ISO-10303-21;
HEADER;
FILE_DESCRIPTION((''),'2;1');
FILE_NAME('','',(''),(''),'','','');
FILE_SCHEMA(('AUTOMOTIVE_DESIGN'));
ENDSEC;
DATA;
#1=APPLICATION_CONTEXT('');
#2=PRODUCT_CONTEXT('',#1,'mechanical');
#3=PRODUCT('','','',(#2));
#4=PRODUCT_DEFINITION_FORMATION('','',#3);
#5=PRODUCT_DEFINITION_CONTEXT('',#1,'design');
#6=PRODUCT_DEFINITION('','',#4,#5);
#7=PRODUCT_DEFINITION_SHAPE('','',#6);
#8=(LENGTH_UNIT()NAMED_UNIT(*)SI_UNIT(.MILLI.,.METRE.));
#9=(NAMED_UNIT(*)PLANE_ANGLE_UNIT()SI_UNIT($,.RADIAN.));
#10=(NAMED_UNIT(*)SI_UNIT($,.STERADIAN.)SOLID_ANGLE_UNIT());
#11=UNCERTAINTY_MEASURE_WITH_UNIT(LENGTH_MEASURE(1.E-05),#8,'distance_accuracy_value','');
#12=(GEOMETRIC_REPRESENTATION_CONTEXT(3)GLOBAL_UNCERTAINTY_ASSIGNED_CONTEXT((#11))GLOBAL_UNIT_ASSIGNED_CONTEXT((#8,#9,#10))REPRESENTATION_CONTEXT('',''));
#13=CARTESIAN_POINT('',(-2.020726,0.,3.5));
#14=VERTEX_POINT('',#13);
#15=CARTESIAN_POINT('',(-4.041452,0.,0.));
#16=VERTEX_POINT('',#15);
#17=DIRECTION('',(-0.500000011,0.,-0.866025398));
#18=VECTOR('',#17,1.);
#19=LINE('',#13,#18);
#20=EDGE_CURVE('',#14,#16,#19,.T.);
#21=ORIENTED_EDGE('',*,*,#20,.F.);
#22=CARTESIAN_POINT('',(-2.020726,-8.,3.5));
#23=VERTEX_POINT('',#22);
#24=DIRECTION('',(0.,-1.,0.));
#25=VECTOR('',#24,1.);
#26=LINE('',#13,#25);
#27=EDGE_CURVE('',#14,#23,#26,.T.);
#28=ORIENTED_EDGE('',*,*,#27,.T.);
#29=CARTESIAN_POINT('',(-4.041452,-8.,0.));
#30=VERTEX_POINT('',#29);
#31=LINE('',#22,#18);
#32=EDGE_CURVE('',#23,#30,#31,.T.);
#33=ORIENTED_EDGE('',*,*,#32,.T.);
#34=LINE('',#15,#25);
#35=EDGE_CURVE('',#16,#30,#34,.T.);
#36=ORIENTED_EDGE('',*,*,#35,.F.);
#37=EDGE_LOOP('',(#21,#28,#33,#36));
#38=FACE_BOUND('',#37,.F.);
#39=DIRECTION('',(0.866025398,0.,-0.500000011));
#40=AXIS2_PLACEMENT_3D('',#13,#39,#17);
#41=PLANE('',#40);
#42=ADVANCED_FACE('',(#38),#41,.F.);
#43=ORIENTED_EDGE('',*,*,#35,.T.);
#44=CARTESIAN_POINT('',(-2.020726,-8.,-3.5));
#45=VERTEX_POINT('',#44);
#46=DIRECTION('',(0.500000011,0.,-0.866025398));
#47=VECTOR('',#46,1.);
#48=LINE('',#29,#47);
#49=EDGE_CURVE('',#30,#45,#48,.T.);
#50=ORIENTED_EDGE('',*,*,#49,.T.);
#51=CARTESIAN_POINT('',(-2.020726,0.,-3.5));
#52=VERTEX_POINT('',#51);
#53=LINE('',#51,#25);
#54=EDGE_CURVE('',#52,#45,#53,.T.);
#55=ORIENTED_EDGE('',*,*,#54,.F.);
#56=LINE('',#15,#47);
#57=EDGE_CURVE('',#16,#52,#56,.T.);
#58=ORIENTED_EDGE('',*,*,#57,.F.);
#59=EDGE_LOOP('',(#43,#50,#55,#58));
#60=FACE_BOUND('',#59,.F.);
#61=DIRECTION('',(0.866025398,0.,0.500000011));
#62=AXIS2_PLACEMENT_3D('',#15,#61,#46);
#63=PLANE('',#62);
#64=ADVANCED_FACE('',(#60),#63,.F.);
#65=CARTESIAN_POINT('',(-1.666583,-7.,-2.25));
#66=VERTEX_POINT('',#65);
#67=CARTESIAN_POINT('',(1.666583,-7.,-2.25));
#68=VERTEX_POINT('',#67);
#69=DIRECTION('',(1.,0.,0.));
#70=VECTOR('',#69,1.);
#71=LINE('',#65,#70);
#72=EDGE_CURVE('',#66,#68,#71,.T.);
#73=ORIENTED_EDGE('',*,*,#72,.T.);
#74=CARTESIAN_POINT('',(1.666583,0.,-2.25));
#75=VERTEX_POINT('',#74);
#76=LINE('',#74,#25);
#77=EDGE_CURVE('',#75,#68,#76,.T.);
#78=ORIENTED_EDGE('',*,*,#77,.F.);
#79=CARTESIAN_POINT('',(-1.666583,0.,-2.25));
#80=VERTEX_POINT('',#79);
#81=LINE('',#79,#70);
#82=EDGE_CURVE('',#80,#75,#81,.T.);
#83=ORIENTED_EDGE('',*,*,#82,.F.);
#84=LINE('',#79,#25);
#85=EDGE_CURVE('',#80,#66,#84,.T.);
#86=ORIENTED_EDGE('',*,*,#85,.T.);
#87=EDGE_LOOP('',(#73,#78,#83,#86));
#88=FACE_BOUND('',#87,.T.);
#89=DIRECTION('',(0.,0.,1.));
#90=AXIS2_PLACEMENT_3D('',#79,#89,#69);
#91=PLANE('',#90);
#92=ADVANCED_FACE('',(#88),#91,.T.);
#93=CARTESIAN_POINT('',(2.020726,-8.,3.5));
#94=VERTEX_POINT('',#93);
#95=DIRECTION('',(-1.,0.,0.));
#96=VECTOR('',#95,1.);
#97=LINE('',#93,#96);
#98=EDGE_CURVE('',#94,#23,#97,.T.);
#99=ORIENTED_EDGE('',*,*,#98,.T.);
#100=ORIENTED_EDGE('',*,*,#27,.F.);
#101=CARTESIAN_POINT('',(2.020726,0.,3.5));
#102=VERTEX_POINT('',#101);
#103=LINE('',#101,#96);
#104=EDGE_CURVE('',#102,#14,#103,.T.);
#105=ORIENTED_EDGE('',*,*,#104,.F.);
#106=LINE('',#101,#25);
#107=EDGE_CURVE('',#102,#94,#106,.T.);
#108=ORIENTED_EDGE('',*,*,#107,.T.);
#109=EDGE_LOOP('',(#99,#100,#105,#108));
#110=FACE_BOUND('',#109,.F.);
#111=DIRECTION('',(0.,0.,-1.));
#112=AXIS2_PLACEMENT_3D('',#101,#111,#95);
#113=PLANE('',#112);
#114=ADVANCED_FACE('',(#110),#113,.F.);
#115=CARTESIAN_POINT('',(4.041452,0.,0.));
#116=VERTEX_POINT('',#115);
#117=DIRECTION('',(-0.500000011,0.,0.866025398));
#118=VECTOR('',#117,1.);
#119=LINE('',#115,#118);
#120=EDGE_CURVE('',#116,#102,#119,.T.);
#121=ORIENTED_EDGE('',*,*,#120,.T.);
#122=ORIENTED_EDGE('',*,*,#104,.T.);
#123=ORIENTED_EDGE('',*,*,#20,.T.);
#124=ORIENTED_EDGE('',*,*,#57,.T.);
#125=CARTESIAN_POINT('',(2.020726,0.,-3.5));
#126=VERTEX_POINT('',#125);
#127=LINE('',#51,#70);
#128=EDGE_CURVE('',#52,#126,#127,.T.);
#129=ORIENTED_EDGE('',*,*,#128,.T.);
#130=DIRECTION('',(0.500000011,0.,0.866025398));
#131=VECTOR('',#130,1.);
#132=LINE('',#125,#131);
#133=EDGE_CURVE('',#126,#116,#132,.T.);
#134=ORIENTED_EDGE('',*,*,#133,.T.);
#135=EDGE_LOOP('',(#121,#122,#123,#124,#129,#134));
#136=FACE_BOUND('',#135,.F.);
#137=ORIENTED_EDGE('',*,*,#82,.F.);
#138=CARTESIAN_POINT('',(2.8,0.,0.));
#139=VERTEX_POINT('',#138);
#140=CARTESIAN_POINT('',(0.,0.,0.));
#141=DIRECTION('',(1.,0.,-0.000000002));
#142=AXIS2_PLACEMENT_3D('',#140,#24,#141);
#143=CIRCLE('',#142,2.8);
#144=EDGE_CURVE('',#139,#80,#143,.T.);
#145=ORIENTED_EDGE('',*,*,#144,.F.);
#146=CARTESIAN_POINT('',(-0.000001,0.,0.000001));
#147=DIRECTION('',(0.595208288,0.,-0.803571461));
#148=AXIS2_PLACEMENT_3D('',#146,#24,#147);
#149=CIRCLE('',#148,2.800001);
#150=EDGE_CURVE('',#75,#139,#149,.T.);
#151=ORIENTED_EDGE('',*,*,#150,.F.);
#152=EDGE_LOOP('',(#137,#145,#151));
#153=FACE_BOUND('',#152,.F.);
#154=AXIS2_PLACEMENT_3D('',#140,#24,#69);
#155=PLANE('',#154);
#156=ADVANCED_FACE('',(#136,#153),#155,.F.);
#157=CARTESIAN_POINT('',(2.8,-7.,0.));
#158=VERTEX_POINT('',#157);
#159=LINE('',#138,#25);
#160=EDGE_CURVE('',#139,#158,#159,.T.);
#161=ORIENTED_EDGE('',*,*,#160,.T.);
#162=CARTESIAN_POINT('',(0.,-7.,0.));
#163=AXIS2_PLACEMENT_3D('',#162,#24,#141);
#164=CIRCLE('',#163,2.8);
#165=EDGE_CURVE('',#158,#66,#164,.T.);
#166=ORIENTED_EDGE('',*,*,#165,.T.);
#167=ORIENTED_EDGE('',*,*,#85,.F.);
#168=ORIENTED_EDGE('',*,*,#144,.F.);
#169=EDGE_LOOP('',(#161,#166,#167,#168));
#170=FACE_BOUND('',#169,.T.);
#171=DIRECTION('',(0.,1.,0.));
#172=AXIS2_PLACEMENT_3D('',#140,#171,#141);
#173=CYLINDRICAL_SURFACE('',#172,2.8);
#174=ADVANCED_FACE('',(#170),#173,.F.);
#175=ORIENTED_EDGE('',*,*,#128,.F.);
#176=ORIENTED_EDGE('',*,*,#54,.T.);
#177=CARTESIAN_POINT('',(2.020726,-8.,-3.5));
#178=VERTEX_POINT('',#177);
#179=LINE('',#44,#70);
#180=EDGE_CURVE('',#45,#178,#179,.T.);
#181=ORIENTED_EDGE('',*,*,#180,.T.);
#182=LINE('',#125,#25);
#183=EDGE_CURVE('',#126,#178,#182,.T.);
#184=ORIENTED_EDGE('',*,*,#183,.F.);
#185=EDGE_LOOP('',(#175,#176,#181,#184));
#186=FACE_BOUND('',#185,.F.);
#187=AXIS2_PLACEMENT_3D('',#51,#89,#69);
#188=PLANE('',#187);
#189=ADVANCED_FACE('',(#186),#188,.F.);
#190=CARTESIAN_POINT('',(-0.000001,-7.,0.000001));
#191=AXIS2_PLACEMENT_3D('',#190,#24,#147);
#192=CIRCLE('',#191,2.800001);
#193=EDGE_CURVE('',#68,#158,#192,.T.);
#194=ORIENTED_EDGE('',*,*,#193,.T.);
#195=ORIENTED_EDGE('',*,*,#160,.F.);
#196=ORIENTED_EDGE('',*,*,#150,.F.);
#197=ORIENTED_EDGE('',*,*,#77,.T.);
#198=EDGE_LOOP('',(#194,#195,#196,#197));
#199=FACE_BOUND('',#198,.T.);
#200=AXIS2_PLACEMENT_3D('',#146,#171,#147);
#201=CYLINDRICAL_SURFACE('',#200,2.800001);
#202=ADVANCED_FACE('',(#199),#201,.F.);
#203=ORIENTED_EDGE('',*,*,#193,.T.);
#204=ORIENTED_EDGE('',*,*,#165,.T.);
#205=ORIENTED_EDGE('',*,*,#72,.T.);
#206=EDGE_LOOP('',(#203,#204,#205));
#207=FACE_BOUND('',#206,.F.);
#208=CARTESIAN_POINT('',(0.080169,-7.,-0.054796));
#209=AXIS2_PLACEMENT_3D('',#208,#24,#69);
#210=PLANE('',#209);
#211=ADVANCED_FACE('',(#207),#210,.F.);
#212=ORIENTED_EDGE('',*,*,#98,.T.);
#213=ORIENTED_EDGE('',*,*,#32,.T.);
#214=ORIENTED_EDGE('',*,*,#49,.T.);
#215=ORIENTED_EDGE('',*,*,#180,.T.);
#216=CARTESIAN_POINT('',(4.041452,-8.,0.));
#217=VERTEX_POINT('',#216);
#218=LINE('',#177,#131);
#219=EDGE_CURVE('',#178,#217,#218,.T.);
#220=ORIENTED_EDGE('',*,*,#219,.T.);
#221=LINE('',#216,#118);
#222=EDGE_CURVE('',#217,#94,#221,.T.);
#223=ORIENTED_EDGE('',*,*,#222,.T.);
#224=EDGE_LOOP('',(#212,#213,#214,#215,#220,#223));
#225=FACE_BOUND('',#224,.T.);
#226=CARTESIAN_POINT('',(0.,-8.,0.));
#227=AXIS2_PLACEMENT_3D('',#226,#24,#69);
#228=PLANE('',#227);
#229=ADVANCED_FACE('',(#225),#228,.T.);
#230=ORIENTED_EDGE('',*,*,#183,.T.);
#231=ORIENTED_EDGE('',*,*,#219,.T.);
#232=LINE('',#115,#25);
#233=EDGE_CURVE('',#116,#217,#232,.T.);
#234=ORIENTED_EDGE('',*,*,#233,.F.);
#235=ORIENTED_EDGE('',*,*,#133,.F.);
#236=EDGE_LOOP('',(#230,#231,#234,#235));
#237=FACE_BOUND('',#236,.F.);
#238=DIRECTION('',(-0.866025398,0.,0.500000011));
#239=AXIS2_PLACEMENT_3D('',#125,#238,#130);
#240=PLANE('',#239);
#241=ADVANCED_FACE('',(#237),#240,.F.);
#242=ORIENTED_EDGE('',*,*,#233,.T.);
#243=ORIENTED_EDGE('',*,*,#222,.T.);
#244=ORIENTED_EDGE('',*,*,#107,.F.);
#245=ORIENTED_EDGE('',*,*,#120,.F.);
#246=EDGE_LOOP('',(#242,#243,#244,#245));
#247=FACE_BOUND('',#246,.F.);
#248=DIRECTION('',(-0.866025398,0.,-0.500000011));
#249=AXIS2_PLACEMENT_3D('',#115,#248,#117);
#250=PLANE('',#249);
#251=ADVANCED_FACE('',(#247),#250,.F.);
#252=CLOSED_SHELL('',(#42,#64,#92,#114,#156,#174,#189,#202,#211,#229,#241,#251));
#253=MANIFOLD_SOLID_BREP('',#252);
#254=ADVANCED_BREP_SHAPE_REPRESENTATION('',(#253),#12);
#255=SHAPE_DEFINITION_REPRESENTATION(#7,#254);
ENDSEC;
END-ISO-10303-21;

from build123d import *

# Parameters (mm, degrees)
F1_DEPTH = 8
F2_DEPTH = 7


with BuildPart() as f1:
    # F0 (on Front) → F1 (new body)
    with BuildSketch(Plane.XZ):
        Polygon((2.020726, 3.5), (-2.020726, 3.5), (-4.041452, 0), (-2.020726, -3.5), (2.020726, -3.5), (4.041452, 0), align=None)
        with BuildLine():
            ThreePointArc((-1.666583, -2.25), (-1.259676, 2.500643), (2.8, 0))
            ThreePointArc((2.8, 0), (2.500643, -1.259676), (1.666583, -2.25))
            ThreePointArc((1.666583, -2.25), (0, -2.8), (-1.666583, -2.25))
        make_face(mode=Mode.SUBTRACT)
        with BuildLine():
            ThreePointArc((1.666583, -2.25), (2.500643, -1.259676), (2.8, 0))
            ThreePointArc((2.8, 0), (-1.259676, 2.500643), (-1.666583, -2.25))
            Line((-1.666583, -2.25), (1.666583, -2.25))
        make_face()
        with BuildLine():
            Line((1.666583, -2.25), (-1.666583, -2.25))
            ThreePointArc((-1.666583, -2.25), (0, -2.8), (1.666583, -2.25))
        make_face()
    extrude(amount=F1_DEPTH)

    # F0 (on Front) → F2 (cut)
    with BuildSketch(Plane.XZ):
        with BuildLine():
            ThreePointArc((1.666583, -2.25), (2.500643, -1.259676), (2.8, 0))
            ThreePointArc((2.8, 0), (-1.259676, 2.500643), (-1.666583, -2.25))
            Line((-1.666583, -2.25), (1.666583, -2.25))
        make_face()
    extrude(amount=F2_DEPTH, mode=Mode.SUBTRACT)


solid = f1.part
